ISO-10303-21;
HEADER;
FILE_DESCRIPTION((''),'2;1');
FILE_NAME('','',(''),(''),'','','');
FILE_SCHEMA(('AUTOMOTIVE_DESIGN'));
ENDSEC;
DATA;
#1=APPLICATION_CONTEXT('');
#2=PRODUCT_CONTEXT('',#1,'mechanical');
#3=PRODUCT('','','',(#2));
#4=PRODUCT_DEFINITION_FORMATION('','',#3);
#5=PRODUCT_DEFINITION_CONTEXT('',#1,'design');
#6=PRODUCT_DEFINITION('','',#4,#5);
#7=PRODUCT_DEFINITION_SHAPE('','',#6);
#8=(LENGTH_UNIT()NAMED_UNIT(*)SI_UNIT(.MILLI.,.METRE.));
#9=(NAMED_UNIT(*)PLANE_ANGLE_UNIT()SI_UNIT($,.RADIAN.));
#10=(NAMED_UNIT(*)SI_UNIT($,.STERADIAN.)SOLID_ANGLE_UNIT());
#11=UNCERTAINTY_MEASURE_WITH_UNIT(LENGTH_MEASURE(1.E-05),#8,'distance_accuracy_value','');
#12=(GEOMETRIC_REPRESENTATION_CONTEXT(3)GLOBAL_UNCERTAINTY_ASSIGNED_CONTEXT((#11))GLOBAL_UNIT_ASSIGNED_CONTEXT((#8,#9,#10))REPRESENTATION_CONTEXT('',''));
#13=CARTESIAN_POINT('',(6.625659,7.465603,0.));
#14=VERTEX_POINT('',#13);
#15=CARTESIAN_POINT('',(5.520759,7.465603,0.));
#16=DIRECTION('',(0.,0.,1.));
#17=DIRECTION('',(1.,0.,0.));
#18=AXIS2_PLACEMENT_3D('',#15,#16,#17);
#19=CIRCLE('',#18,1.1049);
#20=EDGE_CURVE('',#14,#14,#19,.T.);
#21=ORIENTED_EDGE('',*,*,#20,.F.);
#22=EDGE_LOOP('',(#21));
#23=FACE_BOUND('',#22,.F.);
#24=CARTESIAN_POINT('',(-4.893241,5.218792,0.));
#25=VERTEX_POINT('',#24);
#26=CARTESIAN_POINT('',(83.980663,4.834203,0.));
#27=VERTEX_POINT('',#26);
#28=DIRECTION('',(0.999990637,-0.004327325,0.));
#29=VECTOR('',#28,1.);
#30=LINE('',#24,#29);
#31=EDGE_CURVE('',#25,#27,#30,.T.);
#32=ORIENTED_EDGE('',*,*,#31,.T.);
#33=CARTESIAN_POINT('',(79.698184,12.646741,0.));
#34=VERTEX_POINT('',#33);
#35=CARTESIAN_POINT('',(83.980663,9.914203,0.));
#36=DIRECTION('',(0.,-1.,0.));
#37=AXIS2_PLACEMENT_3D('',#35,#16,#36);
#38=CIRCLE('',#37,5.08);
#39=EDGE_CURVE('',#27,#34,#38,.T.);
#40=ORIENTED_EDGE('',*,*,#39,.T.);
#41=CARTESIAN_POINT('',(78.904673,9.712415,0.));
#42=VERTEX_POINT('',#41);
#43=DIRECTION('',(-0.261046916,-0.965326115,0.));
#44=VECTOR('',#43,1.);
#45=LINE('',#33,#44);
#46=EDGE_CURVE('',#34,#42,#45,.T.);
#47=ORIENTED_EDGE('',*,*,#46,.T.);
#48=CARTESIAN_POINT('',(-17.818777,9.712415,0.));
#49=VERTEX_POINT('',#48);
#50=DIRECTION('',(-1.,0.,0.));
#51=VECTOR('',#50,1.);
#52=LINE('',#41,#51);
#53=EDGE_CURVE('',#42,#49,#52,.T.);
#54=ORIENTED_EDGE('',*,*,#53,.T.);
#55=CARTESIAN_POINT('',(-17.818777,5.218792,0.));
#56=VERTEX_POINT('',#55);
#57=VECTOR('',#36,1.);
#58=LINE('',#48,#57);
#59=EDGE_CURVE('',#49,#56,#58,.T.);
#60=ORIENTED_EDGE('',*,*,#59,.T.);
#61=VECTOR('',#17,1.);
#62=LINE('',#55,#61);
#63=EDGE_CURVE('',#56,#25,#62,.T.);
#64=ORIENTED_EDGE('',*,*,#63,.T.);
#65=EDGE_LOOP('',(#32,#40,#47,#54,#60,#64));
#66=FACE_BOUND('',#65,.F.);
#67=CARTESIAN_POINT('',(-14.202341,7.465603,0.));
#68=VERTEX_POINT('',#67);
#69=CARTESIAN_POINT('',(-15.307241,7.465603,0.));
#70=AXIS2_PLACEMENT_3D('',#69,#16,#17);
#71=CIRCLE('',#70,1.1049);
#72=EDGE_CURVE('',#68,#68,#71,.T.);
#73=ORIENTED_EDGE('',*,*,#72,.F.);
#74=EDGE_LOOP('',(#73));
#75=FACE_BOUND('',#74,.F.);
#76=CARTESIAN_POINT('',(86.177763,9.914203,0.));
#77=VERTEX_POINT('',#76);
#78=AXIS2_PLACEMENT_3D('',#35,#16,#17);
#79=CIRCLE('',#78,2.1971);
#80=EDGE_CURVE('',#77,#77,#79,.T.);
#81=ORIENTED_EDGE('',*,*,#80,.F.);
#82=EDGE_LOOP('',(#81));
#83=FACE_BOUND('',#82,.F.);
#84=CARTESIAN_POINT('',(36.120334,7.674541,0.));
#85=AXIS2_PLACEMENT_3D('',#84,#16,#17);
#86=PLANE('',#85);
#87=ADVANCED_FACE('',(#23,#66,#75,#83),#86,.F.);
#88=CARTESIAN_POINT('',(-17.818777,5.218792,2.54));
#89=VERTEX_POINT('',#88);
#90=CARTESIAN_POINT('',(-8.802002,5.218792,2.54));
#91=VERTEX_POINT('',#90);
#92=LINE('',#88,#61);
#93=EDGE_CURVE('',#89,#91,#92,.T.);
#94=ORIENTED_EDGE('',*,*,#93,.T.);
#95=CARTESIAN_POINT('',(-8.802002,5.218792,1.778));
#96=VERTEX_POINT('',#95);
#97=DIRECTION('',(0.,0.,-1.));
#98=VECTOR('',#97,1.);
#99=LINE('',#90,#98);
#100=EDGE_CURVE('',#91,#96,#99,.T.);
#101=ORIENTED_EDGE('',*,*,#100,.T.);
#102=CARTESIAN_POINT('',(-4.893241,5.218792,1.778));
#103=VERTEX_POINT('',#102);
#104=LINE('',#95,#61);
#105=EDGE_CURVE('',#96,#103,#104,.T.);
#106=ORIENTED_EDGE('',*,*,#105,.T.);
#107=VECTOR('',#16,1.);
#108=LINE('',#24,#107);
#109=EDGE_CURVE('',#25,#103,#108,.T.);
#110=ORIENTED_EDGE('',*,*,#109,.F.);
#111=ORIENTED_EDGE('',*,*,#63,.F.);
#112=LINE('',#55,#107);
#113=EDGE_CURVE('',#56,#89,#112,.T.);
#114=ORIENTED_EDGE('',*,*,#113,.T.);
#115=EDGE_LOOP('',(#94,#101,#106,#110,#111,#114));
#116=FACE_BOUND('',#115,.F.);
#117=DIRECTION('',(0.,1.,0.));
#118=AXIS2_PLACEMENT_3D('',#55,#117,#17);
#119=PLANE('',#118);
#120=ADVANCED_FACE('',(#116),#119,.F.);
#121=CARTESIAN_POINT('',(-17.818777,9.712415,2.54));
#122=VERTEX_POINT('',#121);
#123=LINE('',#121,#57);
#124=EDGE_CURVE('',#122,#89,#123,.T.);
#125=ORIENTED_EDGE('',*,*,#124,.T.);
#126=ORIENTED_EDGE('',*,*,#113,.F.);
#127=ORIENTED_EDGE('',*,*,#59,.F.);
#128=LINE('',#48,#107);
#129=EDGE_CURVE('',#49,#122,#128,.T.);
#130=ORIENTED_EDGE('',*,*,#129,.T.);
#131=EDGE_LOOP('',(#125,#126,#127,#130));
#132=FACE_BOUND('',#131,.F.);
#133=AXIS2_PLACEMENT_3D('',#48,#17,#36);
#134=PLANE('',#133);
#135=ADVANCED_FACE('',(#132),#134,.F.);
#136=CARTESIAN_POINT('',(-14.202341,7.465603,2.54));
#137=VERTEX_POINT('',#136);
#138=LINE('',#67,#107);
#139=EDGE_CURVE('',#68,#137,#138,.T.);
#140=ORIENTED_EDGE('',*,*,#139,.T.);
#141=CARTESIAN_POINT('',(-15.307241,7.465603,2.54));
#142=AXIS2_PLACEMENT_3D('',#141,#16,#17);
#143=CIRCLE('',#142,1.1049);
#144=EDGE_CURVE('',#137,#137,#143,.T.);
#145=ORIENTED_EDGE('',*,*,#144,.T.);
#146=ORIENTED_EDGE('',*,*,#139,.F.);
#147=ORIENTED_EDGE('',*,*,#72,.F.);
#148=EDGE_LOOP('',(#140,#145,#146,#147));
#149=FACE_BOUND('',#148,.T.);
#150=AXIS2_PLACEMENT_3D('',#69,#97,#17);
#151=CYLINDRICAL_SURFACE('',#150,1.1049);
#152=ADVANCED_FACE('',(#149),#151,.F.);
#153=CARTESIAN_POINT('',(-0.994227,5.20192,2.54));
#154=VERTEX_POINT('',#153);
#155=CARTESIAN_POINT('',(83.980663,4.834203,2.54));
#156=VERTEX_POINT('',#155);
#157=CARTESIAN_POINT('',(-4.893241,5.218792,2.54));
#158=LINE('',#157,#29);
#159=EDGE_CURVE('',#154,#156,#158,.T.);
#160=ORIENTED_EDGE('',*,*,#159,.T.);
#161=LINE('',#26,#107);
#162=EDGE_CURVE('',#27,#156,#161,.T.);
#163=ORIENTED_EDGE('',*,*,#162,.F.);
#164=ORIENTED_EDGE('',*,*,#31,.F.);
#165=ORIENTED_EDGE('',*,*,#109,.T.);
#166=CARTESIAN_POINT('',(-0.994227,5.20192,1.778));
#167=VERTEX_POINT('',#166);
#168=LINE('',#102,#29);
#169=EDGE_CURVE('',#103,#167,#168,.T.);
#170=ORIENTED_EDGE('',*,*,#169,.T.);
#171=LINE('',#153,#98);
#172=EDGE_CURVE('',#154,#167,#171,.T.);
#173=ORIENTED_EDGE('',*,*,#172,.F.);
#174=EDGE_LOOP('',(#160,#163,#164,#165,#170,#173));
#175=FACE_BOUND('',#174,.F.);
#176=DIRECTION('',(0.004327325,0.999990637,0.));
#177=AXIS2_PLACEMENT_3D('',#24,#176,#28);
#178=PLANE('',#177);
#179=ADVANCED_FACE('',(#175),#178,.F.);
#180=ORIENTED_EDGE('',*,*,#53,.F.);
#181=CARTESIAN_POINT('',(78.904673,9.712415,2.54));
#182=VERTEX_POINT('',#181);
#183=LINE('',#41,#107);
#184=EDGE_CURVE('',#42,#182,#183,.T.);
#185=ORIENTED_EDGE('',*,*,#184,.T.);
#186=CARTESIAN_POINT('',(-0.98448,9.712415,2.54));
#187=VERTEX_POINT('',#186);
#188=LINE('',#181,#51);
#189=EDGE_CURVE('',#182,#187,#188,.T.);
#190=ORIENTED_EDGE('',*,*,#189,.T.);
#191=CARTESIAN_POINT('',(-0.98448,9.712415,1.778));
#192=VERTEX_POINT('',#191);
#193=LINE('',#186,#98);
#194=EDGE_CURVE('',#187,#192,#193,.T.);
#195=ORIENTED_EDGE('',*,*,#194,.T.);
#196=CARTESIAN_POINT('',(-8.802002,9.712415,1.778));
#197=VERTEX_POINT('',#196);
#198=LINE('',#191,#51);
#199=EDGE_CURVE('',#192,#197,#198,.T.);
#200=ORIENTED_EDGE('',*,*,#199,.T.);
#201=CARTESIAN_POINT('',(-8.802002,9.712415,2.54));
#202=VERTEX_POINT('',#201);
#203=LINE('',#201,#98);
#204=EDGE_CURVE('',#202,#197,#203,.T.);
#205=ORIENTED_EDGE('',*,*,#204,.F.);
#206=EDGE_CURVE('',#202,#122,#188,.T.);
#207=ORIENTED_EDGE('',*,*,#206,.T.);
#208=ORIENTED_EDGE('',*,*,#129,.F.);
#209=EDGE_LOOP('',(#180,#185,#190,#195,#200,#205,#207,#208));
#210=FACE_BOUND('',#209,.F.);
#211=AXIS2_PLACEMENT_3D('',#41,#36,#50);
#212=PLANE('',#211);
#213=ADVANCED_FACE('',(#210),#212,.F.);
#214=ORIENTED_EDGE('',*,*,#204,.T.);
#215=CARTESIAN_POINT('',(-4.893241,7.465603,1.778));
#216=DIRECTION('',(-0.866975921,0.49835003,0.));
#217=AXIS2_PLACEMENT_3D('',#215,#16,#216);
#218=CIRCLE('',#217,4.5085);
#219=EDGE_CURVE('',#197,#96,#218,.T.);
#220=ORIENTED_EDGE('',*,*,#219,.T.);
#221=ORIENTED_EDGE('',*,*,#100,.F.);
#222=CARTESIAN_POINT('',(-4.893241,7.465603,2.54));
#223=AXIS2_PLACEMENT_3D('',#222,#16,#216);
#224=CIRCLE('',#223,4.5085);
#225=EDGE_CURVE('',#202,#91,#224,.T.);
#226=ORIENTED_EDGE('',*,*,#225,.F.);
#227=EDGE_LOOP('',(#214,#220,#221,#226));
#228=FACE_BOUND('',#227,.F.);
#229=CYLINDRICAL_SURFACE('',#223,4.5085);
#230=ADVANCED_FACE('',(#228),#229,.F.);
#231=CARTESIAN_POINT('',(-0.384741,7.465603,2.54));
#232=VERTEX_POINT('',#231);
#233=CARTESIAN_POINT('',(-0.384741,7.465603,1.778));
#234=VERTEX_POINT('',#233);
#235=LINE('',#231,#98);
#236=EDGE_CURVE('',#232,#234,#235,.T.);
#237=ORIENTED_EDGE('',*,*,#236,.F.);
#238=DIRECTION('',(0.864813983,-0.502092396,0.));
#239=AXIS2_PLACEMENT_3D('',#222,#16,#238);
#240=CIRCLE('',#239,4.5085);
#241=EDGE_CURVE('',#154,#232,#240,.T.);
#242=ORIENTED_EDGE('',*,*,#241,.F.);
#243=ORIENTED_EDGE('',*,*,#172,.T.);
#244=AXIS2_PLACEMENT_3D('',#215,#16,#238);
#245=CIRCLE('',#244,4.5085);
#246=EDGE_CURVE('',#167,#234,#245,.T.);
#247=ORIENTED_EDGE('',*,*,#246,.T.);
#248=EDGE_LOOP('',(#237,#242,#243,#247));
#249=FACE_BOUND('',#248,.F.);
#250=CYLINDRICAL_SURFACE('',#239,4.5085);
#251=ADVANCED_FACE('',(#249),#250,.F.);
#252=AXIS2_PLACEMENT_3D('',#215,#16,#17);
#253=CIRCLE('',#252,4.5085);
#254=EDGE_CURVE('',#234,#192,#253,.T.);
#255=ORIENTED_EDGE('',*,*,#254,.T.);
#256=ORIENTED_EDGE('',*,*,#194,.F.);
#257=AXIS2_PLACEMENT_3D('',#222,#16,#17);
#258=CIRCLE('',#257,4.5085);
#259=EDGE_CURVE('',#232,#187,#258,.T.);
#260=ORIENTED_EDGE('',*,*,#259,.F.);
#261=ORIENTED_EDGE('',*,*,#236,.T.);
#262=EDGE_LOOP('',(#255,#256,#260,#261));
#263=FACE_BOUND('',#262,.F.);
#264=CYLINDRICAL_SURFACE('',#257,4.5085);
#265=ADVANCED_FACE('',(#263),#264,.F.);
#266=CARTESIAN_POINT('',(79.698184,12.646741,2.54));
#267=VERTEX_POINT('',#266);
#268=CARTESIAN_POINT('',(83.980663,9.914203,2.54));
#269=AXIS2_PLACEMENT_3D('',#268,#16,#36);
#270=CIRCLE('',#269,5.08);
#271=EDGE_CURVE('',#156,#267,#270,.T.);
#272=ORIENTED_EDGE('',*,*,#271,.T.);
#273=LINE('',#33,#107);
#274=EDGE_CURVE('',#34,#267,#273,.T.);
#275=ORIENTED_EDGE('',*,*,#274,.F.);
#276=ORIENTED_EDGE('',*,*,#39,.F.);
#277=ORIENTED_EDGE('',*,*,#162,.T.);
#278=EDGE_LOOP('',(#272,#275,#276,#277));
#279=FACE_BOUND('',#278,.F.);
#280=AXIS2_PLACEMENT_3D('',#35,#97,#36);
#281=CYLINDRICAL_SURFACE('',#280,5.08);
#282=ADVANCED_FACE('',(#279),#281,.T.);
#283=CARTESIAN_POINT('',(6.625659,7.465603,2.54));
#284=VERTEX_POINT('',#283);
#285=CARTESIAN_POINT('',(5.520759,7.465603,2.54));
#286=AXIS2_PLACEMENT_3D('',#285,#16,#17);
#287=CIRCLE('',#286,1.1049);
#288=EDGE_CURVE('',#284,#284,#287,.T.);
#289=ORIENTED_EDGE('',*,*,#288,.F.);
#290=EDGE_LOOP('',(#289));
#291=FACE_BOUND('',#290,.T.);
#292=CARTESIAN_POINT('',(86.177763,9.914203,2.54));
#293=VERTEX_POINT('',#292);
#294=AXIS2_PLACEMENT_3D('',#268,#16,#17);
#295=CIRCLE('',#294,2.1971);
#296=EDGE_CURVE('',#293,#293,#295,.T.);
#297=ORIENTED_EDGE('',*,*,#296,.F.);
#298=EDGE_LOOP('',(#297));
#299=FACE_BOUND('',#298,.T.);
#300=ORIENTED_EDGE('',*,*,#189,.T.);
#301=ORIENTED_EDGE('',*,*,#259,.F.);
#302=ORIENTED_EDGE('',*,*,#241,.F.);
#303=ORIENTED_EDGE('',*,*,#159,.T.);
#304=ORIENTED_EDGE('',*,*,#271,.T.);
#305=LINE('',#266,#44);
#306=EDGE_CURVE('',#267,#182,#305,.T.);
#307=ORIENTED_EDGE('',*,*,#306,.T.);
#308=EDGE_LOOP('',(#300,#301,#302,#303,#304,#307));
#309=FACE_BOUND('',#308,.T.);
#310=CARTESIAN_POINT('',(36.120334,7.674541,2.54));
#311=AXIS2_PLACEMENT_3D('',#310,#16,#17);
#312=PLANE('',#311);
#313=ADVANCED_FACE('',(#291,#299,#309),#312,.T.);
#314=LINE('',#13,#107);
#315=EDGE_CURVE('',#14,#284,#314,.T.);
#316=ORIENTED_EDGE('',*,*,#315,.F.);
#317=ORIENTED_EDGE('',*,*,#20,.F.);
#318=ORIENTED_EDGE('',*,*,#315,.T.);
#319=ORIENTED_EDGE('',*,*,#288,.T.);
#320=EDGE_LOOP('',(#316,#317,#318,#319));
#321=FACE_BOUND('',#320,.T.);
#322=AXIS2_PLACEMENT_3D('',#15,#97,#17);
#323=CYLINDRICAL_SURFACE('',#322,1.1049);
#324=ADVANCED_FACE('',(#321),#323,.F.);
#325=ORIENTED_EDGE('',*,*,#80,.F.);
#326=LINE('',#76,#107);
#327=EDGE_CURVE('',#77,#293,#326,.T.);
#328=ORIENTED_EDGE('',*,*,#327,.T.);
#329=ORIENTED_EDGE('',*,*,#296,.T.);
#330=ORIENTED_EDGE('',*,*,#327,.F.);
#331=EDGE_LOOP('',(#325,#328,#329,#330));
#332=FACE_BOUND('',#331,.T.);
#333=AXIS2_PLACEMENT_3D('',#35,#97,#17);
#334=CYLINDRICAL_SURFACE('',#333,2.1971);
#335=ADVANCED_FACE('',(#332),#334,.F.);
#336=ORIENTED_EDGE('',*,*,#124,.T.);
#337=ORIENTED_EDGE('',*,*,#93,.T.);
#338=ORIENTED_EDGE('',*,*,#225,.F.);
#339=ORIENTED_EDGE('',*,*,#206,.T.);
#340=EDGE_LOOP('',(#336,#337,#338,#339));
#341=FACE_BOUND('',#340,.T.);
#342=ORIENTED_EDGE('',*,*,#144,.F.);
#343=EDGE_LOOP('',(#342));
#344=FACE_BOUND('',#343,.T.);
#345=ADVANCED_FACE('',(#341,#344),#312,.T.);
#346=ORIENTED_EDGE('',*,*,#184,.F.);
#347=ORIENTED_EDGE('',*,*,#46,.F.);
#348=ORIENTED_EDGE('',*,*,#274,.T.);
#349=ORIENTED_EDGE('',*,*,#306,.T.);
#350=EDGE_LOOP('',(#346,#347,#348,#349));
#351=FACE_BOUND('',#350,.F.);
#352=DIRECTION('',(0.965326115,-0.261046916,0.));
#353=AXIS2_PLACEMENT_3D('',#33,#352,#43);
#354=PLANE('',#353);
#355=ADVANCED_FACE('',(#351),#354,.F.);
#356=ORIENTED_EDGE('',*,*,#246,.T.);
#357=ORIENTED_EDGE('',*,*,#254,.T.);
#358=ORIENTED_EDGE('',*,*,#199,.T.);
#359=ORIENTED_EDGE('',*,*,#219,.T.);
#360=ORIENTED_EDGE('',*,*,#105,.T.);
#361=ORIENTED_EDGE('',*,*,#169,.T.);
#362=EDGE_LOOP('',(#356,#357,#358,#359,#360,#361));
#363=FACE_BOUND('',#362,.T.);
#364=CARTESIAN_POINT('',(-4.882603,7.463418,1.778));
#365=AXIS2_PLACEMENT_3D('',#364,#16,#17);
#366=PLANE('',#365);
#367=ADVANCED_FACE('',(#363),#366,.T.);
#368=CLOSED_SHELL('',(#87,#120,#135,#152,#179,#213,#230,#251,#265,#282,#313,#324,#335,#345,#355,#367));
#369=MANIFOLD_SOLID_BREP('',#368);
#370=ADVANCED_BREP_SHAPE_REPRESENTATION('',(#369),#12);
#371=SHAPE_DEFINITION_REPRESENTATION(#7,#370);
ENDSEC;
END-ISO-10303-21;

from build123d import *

# Parameters (mm, degrees)
F0_R     = 1.1049
F0_R_2   = 2.1971
F1_DEPTH = 2.54
F3_DEPTH = 0.762


with BuildPart() as f1:
    # F0 (on Top) → F1 (new body)
    with BuildSketch(Plane.XY):
        with BuildLine():
            Line((74.3450840463, 9.7124146023), (-4.8932405656, 9.7124146023))
            Line((-4.8932405656, 9.7124146023), (-15.3309644214, 9.7124146023))
            Line((-15.3309644214, 9.7124146023), (-17.8187767892, 9.7124146023))
            Line((-17.8187767892, 9.7124146023), (-17.8187767892, 7.7587923859))
            Line((-17.8187767892, 7.7587923859), (-17.8187767892, 6.9155367665))
            Line((-17.8187767892, 6.9155367665), (-17.8187767892, 5.2187923859))
            Line((-17.8187767892, 5.2187923859), (-15.2787767892, 5.2187923859))
            Line((-15.2787767892, 5.2187923859), (-4.8932405656, 5.2187923859))
            Line((-4.8932405656, 5.2187923859), (83.9806633272, 4.8342025108))
            ThreePointArc((83.9806633272, 4.8342025108), (88.4353067828, 12.3560361832), (79.6981836468, 12.6467412181))
            Line((79.6981836468, 12.6467412181), (78.9046726219, 9.7124146023))
            Line((78.9046726219, 9.7124146023), (74.3450840463, 9.7124146023))
        make_face()
        with Locations((-15.3072405656, 7.4656034941)):
            Circle(F0_R, mode=Mode.SUBTRACT)
        with Locations((5.5207594344, 7.4656034941)):
            Circle(F0_R, mode=Mode.SUBTRACT)
        with Locations((83.9806633272, 9.9142025108)):
            Circle(F0_R_2, mode=Mode.SUBTRACT)
    extrude(amount=F1_DEPTH)

    # F2 (on face) → F3 (cut)
    with BuildSketch(Plane.XY.offset(2.54)):
        with BuildLine():
            ThreePointArc((-0.994226721, 5.2019199275), (-0.5397777962, 6.2934541154), (-0.3847405656, 7.4656034941))
            ThreePointArc((-0.3847405656, 7.4656034941), (-0.5372549737, 8.6283424044), (-0.9844796245, 9.7124146023))
            Line((-0.9844796245, 9.7124146023), (-8.8020015066, 9.7124146023))
            ThreePointArc((-8.8020015066, 9.7124146023), (-9.4017405656, 7.4656034941), (-8.8020015066, 5.2187923859))
            Line((-8.8020015066, 5.2187923859), (-4.8932405656, 5.2187923859))
            Line((-4.8932405656, 5.2187923859), (-0.994226721, 5.2019199275))
        make_face()
    extrude(amount=-F3_DEPTH, mode=Mode.SUBTRACT)


solid = f1.part
